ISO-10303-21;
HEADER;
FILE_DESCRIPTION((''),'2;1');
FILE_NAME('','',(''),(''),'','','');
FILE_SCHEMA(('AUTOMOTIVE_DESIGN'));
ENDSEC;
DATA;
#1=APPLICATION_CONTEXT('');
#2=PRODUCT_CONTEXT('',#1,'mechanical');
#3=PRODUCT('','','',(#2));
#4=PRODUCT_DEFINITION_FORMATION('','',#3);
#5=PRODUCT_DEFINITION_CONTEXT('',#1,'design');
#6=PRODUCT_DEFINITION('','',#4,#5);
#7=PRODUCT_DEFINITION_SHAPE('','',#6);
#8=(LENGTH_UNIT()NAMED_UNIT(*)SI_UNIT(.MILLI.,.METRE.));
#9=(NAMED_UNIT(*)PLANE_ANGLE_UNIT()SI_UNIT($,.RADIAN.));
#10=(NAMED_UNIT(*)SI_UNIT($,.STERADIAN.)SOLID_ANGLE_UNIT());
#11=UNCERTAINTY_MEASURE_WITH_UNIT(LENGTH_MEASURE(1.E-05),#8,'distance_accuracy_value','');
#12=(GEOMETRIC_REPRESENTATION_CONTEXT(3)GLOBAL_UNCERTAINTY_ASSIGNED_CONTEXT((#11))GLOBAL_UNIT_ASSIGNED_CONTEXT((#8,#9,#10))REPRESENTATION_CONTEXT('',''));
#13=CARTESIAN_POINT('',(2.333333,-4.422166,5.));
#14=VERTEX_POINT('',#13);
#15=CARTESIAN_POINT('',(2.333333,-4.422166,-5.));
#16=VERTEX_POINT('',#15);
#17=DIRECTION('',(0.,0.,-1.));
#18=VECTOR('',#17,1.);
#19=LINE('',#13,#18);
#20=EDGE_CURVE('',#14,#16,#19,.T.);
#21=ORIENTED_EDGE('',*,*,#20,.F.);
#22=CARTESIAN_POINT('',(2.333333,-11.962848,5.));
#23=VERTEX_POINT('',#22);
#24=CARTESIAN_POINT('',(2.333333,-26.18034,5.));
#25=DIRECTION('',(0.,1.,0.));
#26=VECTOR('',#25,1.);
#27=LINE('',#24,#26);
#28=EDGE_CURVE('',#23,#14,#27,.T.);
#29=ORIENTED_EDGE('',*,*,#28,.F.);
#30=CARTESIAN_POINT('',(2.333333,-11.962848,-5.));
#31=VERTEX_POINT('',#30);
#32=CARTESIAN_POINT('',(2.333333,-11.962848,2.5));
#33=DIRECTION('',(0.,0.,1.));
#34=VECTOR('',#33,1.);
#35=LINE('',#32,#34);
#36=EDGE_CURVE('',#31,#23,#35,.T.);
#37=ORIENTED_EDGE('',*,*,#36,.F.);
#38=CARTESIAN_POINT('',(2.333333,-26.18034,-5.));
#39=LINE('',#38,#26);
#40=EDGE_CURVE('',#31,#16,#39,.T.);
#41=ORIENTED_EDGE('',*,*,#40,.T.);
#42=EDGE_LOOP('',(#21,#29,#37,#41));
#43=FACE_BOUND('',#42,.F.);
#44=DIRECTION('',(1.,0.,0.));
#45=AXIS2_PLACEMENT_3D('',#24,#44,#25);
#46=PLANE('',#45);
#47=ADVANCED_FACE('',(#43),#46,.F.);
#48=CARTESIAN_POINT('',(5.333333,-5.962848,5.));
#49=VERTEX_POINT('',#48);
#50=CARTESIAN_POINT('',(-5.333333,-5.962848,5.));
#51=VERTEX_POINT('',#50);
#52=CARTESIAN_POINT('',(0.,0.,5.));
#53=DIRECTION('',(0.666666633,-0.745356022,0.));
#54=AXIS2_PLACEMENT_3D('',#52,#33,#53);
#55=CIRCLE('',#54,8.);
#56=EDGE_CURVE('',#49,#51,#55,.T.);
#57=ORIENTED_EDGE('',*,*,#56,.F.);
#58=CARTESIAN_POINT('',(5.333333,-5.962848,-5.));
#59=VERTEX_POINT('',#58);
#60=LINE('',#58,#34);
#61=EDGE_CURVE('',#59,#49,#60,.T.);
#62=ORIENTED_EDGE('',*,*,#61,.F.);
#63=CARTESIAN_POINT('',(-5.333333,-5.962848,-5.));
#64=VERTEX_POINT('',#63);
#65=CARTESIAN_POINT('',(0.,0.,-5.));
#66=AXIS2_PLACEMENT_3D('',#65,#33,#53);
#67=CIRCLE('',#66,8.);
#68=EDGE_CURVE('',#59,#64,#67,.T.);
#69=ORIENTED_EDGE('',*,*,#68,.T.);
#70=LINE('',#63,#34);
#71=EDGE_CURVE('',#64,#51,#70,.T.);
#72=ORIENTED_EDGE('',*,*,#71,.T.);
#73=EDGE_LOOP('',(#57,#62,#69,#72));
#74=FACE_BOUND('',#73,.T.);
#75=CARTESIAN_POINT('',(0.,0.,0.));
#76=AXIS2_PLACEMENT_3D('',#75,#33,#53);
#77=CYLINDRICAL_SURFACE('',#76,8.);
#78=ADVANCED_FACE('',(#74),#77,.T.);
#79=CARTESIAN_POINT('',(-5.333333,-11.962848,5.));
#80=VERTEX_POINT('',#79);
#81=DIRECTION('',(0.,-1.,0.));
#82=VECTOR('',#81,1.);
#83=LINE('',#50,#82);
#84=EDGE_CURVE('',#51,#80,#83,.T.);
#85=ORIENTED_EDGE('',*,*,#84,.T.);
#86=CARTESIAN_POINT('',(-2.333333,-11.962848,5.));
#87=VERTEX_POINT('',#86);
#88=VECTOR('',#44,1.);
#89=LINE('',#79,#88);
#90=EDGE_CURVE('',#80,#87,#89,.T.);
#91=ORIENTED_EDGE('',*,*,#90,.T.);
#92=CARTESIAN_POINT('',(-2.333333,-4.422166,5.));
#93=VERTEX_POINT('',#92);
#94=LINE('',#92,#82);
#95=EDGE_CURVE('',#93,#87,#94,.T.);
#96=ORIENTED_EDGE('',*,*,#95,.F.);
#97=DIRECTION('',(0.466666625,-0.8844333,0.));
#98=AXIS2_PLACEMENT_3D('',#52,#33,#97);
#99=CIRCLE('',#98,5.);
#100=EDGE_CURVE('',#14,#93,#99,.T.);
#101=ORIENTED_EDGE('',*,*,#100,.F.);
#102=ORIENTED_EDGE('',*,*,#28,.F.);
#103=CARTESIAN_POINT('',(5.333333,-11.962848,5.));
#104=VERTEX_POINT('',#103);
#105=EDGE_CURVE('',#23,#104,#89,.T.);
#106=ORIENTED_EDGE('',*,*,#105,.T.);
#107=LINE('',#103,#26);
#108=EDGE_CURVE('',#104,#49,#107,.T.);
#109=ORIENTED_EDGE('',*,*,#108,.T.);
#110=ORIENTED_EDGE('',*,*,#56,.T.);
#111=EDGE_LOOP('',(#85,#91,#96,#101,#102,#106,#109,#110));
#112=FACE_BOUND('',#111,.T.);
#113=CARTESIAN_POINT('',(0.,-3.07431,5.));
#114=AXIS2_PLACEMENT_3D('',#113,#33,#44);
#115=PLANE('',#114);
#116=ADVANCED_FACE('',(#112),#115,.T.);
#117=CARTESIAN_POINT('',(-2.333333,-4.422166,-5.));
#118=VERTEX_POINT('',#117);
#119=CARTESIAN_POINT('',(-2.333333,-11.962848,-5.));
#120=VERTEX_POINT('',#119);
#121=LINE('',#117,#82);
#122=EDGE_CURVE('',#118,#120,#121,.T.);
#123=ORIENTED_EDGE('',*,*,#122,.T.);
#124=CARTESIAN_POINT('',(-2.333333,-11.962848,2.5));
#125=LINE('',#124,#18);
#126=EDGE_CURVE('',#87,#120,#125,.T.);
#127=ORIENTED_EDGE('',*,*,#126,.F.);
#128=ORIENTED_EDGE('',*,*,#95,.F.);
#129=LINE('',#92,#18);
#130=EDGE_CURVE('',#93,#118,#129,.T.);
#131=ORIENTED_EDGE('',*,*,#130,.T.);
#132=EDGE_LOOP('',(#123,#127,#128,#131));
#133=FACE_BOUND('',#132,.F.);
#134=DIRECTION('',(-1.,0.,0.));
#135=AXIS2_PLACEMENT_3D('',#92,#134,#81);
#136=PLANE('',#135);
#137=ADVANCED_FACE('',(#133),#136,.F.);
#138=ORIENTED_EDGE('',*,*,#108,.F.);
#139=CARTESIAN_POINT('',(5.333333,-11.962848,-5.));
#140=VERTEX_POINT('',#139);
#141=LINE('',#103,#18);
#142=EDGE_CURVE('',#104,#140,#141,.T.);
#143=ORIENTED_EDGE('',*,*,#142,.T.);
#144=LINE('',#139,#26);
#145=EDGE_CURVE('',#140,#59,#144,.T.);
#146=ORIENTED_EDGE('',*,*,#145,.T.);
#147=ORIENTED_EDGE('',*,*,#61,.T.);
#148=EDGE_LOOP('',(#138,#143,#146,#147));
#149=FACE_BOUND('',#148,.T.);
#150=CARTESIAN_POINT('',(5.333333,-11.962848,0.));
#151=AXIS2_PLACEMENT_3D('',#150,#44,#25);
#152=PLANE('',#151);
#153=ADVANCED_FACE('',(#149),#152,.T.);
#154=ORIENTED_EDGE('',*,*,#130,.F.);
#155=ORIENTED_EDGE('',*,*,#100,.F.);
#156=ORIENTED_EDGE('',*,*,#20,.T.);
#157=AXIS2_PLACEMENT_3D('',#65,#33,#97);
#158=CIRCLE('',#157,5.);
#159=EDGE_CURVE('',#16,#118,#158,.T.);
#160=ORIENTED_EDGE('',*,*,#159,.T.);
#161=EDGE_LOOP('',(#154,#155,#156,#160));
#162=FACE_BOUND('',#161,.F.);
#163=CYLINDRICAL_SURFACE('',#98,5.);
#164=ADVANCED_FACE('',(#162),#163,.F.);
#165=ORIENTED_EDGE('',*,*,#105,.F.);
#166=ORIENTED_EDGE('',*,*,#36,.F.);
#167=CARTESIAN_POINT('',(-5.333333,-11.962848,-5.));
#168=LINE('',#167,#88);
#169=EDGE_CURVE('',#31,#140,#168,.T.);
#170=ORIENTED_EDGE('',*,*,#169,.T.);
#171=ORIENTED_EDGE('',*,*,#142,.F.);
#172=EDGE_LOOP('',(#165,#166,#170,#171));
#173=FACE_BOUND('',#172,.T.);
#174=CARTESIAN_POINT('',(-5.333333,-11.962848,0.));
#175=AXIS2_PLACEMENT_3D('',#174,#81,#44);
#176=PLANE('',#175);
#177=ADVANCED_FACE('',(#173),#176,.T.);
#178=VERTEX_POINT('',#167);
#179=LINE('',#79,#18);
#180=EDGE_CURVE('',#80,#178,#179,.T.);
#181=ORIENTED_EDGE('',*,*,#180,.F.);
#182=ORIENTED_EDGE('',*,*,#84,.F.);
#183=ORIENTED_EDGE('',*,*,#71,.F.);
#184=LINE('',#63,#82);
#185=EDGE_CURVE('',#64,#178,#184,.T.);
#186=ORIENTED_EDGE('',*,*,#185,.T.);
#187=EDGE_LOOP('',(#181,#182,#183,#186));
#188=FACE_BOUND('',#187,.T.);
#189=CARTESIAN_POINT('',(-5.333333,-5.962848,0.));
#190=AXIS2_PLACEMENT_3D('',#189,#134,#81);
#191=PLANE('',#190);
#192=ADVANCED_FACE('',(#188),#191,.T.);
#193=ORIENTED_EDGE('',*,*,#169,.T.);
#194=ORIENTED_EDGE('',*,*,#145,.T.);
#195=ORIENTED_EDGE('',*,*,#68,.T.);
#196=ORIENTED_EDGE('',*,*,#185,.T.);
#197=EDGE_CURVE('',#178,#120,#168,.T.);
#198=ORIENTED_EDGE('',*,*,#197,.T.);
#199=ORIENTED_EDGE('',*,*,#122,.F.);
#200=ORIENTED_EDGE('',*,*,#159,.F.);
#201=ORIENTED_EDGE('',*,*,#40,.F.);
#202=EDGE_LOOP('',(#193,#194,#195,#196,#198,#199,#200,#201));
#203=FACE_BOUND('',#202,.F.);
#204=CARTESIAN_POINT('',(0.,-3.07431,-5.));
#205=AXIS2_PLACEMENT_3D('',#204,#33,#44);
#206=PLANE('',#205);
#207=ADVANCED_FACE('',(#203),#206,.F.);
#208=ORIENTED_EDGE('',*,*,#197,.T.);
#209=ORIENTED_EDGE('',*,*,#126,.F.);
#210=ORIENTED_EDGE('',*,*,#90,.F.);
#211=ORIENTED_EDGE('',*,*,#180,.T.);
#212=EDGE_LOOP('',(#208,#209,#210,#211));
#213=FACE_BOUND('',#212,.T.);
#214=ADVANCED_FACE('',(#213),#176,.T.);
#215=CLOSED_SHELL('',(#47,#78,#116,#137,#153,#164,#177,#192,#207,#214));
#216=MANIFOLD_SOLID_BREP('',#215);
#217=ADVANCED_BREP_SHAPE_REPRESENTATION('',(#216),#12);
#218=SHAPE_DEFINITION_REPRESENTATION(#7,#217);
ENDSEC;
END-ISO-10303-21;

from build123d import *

# Parameters (mm, degrees)
F1_DEPTH = 5
F3_DEPTH = 10


with BuildPart() as f1:
    # F0 (on Top) → F1 (new body, symmetric)
    with BuildSketch(Plane.XY):
        with BuildLine():
            Line((5.333333, -11.962848), (5.333333, -5.962848))
            ThreePointArc((5.333333, -5.962848), (0, 8), (-5.333333, -5.962848))
            Line((-5.333333, -5.962848), (-5.333333, -11.962848))
            Line((-5.333333, -11.962848), (0, -11.962848))
            Line((0, -11.962848), (5.333333, -11.962848))
        make_face()
    extrude(amount=F1_DEPTH, both=True)

    # F2 (on face) → F3 (cut)
    with BuildSketch(Plane.XY.offset(5)):
        with BuildLine():
            ThreePointArc((2.333333, -4.422166), (0, 5), (-2.333333, -4.422166))
            Line((-2.333333, -4.422166), (-2.333333, -26.18034))
            Line((-2.333333, -26.18034), (2.333333, -26.18034))
            Line((2.333333, -26.18034), (2.333333, -4.422166))
        make_face()
    extrude(amount=-F3_DEPTH, mode=Mode.SUBTRACT)


solid = f1.part
